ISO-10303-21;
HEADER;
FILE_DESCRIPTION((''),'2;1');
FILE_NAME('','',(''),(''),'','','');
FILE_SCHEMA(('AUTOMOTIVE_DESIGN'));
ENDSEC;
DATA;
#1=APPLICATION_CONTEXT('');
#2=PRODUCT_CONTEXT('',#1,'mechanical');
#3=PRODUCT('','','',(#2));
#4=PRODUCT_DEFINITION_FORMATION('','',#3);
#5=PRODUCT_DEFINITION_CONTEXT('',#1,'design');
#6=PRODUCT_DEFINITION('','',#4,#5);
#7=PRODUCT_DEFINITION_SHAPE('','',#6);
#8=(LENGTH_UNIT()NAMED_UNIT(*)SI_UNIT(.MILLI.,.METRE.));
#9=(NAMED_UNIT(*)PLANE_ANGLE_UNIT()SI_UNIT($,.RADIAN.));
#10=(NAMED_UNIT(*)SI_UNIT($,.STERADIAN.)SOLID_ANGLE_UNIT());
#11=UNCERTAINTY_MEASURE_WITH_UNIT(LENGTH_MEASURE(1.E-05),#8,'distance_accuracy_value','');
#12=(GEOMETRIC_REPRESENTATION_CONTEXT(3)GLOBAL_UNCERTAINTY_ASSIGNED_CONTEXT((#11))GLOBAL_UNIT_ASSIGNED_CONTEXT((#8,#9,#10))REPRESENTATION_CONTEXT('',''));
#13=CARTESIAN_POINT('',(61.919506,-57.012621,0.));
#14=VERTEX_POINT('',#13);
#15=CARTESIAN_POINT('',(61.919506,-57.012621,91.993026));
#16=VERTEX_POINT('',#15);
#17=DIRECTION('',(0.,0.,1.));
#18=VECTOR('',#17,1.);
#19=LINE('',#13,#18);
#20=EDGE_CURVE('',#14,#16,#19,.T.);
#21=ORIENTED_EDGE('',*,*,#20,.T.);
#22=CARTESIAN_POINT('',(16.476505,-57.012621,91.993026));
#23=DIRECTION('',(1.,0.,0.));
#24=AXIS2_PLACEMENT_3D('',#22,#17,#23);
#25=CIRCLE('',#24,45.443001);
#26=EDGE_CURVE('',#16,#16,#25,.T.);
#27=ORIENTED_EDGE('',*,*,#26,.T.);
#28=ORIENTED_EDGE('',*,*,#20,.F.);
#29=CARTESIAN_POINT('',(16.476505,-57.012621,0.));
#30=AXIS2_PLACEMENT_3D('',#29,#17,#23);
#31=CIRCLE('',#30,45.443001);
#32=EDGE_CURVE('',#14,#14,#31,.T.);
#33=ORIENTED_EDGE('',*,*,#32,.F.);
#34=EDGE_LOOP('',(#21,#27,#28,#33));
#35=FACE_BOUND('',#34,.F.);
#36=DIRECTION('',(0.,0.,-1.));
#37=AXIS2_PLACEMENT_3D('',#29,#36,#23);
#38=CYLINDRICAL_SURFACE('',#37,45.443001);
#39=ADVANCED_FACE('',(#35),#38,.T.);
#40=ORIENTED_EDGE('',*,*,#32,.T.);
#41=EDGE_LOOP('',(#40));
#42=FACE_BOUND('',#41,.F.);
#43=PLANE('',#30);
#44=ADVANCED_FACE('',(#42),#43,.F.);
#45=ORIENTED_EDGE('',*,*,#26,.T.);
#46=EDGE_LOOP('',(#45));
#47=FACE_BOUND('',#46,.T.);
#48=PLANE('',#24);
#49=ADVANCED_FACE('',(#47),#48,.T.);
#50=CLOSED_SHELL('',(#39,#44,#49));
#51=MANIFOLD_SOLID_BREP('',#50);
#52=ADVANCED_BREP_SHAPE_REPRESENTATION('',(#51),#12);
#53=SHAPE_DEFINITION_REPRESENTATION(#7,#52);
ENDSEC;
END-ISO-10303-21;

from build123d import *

# Parameters (mm, degrees)
F1_R     = 45.443001
F2_DEPTH = 91.993026


with BuildPart() as f2:
    # F1 (on face) → F2 (new body)
    with BuildSketch(Plane.XY):
        with Locations((16.476505, -57.012621)):
            Circle(F1_R)
    extrude(amount=F2_DEPTH)


solid = f2.part
